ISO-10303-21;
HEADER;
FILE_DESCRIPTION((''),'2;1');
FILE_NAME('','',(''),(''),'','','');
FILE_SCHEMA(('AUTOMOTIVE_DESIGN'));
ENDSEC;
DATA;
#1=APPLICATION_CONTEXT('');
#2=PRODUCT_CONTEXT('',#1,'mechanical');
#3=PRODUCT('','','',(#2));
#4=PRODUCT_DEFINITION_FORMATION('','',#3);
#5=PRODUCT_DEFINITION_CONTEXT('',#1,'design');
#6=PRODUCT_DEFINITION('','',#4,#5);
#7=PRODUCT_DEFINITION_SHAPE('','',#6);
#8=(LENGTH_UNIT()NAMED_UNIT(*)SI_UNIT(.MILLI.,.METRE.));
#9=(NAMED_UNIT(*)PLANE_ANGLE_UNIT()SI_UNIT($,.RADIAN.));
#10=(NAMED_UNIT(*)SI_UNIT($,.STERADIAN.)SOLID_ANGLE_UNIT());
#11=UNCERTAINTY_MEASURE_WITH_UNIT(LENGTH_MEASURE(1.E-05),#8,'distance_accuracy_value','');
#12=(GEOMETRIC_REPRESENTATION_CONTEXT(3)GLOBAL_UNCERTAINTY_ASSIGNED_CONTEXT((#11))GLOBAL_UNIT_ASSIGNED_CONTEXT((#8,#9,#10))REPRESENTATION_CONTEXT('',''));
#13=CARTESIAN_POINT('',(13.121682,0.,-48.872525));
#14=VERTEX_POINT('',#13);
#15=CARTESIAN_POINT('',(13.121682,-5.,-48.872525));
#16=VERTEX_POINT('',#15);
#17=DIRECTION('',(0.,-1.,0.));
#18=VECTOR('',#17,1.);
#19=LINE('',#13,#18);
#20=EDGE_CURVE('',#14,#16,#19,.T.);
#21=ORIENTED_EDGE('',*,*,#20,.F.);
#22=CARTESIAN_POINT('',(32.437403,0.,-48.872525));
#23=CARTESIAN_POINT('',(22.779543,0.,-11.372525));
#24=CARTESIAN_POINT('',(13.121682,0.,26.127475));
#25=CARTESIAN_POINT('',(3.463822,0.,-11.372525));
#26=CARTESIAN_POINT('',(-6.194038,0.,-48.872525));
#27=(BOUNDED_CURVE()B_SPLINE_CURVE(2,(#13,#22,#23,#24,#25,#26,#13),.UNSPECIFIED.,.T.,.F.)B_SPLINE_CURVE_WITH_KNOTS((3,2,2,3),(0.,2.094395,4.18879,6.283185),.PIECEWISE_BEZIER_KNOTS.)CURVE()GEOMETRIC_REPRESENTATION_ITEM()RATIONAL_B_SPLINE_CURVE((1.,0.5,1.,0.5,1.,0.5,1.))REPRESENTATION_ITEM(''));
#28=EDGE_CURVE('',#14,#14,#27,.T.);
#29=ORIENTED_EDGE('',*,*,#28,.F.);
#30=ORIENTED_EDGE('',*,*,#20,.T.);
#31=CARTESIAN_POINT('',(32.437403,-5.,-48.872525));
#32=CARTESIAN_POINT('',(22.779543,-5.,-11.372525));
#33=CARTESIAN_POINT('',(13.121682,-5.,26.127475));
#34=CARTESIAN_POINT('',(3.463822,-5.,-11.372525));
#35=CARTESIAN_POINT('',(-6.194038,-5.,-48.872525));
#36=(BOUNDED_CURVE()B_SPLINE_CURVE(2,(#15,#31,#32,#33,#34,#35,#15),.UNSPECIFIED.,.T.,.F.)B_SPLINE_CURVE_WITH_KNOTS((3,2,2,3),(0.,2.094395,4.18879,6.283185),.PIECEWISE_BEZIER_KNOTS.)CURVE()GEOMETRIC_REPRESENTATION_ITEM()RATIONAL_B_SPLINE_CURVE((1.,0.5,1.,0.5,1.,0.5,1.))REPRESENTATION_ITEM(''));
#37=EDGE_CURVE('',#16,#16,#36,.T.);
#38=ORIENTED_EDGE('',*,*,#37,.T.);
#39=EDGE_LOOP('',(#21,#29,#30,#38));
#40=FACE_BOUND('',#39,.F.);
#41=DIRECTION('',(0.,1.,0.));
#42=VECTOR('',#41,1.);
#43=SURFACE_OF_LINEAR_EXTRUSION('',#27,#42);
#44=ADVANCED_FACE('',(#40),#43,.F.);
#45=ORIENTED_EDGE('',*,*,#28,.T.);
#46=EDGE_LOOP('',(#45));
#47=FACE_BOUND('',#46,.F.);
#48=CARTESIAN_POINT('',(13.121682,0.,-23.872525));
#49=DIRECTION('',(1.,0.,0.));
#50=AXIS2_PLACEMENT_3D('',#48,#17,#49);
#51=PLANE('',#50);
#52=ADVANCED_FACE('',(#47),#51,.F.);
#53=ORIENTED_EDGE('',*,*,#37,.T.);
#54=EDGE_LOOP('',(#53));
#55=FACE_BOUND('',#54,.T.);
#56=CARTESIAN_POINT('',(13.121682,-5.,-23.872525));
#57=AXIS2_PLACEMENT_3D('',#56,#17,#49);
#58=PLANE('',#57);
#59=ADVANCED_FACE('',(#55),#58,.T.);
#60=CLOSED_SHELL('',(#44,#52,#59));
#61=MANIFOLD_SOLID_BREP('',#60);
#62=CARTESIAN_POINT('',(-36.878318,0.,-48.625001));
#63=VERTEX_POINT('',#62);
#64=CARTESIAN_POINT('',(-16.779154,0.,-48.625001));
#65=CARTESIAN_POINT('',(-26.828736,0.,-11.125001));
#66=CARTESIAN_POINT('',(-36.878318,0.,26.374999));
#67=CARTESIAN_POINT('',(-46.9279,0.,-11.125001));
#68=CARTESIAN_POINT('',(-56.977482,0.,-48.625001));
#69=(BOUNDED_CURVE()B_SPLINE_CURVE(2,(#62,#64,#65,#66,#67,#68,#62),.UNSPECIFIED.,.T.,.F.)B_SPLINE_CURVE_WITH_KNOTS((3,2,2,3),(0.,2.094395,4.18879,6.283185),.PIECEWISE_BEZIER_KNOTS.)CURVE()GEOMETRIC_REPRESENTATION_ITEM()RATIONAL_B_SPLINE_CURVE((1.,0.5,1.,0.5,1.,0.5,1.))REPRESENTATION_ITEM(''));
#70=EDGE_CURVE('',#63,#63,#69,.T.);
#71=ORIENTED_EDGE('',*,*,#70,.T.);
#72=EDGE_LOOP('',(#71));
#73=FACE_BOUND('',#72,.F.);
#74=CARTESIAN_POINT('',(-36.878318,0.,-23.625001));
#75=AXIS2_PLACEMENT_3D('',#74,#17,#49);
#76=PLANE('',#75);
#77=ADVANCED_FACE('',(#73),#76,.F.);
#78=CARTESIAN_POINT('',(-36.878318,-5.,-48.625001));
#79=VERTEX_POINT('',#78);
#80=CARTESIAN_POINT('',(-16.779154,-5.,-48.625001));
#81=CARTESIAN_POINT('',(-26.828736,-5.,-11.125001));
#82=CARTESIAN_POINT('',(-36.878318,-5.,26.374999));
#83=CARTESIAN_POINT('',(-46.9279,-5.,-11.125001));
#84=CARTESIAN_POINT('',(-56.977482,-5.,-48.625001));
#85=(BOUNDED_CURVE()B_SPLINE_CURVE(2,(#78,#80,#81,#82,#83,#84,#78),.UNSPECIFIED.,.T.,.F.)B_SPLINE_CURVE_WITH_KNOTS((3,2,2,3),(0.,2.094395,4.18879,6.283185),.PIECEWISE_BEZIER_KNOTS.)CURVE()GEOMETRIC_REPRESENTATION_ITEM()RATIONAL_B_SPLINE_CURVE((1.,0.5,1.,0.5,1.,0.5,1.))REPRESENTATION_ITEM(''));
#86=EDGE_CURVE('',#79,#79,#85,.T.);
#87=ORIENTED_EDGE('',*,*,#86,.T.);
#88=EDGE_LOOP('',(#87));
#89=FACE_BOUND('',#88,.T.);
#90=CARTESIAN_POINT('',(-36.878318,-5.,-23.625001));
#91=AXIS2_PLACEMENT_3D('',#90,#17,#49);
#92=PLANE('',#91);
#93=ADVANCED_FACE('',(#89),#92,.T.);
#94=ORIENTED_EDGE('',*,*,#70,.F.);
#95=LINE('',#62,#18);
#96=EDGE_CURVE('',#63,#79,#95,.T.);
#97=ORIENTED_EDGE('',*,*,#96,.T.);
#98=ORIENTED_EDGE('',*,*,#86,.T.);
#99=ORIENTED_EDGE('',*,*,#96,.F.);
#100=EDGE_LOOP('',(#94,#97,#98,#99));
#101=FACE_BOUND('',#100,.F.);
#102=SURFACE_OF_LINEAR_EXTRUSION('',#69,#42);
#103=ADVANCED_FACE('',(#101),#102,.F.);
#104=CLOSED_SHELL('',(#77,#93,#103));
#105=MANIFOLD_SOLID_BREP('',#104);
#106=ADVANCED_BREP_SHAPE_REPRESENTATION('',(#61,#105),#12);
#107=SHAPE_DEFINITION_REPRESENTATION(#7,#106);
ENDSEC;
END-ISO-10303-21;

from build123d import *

# Parameters (mm, degrees)
F1_DEPTH = 5


with BuildPart() as f1:
    # F0 (on Front) → F1 (new body)
    with BuildSketch(Plane.XZ):
        with BuildLine():
            add(Edge.make_bspline(
                [(-36.878318, -48.625001), (-16.779154, -48.625001), (-26.828736, -11.125001), (-36.878318, 26.374999), (-46.9279, -11.125001), (-56.977482, -48.625001), (-36.878318, -48.625001)],
                knots=[0, 0, 0, 2.094395, 2.094395, 4.18879, 4.18879, 6.283185, 6.283185, 6.283185], degree=2, weights=[1, 0.5, 1, 0.5, 1, 0.5, 1]))
        make_face()
        with BuildLine():
            add(Edge.make_bspline(
                [(13.121682, -48.872525), (32.437403, -48.872525), (22.779543, -11.372525), (13.121682, 26.127475), (3.463822, -11.372525), (-6.194038, -48.872525), (13.121682, -48.872525)],
                knots=[0, 0, 0, 2.094395, 2.094395, 4.18879, 4.18879, 6.283185, 6.283185, 6.283185], degree=2, weights=[1, 0.5, 1, 0.5, 1, 0.5, 1]))
        make_face()
    extrude(amount=F1_DEPTH)


solid = f1.part
